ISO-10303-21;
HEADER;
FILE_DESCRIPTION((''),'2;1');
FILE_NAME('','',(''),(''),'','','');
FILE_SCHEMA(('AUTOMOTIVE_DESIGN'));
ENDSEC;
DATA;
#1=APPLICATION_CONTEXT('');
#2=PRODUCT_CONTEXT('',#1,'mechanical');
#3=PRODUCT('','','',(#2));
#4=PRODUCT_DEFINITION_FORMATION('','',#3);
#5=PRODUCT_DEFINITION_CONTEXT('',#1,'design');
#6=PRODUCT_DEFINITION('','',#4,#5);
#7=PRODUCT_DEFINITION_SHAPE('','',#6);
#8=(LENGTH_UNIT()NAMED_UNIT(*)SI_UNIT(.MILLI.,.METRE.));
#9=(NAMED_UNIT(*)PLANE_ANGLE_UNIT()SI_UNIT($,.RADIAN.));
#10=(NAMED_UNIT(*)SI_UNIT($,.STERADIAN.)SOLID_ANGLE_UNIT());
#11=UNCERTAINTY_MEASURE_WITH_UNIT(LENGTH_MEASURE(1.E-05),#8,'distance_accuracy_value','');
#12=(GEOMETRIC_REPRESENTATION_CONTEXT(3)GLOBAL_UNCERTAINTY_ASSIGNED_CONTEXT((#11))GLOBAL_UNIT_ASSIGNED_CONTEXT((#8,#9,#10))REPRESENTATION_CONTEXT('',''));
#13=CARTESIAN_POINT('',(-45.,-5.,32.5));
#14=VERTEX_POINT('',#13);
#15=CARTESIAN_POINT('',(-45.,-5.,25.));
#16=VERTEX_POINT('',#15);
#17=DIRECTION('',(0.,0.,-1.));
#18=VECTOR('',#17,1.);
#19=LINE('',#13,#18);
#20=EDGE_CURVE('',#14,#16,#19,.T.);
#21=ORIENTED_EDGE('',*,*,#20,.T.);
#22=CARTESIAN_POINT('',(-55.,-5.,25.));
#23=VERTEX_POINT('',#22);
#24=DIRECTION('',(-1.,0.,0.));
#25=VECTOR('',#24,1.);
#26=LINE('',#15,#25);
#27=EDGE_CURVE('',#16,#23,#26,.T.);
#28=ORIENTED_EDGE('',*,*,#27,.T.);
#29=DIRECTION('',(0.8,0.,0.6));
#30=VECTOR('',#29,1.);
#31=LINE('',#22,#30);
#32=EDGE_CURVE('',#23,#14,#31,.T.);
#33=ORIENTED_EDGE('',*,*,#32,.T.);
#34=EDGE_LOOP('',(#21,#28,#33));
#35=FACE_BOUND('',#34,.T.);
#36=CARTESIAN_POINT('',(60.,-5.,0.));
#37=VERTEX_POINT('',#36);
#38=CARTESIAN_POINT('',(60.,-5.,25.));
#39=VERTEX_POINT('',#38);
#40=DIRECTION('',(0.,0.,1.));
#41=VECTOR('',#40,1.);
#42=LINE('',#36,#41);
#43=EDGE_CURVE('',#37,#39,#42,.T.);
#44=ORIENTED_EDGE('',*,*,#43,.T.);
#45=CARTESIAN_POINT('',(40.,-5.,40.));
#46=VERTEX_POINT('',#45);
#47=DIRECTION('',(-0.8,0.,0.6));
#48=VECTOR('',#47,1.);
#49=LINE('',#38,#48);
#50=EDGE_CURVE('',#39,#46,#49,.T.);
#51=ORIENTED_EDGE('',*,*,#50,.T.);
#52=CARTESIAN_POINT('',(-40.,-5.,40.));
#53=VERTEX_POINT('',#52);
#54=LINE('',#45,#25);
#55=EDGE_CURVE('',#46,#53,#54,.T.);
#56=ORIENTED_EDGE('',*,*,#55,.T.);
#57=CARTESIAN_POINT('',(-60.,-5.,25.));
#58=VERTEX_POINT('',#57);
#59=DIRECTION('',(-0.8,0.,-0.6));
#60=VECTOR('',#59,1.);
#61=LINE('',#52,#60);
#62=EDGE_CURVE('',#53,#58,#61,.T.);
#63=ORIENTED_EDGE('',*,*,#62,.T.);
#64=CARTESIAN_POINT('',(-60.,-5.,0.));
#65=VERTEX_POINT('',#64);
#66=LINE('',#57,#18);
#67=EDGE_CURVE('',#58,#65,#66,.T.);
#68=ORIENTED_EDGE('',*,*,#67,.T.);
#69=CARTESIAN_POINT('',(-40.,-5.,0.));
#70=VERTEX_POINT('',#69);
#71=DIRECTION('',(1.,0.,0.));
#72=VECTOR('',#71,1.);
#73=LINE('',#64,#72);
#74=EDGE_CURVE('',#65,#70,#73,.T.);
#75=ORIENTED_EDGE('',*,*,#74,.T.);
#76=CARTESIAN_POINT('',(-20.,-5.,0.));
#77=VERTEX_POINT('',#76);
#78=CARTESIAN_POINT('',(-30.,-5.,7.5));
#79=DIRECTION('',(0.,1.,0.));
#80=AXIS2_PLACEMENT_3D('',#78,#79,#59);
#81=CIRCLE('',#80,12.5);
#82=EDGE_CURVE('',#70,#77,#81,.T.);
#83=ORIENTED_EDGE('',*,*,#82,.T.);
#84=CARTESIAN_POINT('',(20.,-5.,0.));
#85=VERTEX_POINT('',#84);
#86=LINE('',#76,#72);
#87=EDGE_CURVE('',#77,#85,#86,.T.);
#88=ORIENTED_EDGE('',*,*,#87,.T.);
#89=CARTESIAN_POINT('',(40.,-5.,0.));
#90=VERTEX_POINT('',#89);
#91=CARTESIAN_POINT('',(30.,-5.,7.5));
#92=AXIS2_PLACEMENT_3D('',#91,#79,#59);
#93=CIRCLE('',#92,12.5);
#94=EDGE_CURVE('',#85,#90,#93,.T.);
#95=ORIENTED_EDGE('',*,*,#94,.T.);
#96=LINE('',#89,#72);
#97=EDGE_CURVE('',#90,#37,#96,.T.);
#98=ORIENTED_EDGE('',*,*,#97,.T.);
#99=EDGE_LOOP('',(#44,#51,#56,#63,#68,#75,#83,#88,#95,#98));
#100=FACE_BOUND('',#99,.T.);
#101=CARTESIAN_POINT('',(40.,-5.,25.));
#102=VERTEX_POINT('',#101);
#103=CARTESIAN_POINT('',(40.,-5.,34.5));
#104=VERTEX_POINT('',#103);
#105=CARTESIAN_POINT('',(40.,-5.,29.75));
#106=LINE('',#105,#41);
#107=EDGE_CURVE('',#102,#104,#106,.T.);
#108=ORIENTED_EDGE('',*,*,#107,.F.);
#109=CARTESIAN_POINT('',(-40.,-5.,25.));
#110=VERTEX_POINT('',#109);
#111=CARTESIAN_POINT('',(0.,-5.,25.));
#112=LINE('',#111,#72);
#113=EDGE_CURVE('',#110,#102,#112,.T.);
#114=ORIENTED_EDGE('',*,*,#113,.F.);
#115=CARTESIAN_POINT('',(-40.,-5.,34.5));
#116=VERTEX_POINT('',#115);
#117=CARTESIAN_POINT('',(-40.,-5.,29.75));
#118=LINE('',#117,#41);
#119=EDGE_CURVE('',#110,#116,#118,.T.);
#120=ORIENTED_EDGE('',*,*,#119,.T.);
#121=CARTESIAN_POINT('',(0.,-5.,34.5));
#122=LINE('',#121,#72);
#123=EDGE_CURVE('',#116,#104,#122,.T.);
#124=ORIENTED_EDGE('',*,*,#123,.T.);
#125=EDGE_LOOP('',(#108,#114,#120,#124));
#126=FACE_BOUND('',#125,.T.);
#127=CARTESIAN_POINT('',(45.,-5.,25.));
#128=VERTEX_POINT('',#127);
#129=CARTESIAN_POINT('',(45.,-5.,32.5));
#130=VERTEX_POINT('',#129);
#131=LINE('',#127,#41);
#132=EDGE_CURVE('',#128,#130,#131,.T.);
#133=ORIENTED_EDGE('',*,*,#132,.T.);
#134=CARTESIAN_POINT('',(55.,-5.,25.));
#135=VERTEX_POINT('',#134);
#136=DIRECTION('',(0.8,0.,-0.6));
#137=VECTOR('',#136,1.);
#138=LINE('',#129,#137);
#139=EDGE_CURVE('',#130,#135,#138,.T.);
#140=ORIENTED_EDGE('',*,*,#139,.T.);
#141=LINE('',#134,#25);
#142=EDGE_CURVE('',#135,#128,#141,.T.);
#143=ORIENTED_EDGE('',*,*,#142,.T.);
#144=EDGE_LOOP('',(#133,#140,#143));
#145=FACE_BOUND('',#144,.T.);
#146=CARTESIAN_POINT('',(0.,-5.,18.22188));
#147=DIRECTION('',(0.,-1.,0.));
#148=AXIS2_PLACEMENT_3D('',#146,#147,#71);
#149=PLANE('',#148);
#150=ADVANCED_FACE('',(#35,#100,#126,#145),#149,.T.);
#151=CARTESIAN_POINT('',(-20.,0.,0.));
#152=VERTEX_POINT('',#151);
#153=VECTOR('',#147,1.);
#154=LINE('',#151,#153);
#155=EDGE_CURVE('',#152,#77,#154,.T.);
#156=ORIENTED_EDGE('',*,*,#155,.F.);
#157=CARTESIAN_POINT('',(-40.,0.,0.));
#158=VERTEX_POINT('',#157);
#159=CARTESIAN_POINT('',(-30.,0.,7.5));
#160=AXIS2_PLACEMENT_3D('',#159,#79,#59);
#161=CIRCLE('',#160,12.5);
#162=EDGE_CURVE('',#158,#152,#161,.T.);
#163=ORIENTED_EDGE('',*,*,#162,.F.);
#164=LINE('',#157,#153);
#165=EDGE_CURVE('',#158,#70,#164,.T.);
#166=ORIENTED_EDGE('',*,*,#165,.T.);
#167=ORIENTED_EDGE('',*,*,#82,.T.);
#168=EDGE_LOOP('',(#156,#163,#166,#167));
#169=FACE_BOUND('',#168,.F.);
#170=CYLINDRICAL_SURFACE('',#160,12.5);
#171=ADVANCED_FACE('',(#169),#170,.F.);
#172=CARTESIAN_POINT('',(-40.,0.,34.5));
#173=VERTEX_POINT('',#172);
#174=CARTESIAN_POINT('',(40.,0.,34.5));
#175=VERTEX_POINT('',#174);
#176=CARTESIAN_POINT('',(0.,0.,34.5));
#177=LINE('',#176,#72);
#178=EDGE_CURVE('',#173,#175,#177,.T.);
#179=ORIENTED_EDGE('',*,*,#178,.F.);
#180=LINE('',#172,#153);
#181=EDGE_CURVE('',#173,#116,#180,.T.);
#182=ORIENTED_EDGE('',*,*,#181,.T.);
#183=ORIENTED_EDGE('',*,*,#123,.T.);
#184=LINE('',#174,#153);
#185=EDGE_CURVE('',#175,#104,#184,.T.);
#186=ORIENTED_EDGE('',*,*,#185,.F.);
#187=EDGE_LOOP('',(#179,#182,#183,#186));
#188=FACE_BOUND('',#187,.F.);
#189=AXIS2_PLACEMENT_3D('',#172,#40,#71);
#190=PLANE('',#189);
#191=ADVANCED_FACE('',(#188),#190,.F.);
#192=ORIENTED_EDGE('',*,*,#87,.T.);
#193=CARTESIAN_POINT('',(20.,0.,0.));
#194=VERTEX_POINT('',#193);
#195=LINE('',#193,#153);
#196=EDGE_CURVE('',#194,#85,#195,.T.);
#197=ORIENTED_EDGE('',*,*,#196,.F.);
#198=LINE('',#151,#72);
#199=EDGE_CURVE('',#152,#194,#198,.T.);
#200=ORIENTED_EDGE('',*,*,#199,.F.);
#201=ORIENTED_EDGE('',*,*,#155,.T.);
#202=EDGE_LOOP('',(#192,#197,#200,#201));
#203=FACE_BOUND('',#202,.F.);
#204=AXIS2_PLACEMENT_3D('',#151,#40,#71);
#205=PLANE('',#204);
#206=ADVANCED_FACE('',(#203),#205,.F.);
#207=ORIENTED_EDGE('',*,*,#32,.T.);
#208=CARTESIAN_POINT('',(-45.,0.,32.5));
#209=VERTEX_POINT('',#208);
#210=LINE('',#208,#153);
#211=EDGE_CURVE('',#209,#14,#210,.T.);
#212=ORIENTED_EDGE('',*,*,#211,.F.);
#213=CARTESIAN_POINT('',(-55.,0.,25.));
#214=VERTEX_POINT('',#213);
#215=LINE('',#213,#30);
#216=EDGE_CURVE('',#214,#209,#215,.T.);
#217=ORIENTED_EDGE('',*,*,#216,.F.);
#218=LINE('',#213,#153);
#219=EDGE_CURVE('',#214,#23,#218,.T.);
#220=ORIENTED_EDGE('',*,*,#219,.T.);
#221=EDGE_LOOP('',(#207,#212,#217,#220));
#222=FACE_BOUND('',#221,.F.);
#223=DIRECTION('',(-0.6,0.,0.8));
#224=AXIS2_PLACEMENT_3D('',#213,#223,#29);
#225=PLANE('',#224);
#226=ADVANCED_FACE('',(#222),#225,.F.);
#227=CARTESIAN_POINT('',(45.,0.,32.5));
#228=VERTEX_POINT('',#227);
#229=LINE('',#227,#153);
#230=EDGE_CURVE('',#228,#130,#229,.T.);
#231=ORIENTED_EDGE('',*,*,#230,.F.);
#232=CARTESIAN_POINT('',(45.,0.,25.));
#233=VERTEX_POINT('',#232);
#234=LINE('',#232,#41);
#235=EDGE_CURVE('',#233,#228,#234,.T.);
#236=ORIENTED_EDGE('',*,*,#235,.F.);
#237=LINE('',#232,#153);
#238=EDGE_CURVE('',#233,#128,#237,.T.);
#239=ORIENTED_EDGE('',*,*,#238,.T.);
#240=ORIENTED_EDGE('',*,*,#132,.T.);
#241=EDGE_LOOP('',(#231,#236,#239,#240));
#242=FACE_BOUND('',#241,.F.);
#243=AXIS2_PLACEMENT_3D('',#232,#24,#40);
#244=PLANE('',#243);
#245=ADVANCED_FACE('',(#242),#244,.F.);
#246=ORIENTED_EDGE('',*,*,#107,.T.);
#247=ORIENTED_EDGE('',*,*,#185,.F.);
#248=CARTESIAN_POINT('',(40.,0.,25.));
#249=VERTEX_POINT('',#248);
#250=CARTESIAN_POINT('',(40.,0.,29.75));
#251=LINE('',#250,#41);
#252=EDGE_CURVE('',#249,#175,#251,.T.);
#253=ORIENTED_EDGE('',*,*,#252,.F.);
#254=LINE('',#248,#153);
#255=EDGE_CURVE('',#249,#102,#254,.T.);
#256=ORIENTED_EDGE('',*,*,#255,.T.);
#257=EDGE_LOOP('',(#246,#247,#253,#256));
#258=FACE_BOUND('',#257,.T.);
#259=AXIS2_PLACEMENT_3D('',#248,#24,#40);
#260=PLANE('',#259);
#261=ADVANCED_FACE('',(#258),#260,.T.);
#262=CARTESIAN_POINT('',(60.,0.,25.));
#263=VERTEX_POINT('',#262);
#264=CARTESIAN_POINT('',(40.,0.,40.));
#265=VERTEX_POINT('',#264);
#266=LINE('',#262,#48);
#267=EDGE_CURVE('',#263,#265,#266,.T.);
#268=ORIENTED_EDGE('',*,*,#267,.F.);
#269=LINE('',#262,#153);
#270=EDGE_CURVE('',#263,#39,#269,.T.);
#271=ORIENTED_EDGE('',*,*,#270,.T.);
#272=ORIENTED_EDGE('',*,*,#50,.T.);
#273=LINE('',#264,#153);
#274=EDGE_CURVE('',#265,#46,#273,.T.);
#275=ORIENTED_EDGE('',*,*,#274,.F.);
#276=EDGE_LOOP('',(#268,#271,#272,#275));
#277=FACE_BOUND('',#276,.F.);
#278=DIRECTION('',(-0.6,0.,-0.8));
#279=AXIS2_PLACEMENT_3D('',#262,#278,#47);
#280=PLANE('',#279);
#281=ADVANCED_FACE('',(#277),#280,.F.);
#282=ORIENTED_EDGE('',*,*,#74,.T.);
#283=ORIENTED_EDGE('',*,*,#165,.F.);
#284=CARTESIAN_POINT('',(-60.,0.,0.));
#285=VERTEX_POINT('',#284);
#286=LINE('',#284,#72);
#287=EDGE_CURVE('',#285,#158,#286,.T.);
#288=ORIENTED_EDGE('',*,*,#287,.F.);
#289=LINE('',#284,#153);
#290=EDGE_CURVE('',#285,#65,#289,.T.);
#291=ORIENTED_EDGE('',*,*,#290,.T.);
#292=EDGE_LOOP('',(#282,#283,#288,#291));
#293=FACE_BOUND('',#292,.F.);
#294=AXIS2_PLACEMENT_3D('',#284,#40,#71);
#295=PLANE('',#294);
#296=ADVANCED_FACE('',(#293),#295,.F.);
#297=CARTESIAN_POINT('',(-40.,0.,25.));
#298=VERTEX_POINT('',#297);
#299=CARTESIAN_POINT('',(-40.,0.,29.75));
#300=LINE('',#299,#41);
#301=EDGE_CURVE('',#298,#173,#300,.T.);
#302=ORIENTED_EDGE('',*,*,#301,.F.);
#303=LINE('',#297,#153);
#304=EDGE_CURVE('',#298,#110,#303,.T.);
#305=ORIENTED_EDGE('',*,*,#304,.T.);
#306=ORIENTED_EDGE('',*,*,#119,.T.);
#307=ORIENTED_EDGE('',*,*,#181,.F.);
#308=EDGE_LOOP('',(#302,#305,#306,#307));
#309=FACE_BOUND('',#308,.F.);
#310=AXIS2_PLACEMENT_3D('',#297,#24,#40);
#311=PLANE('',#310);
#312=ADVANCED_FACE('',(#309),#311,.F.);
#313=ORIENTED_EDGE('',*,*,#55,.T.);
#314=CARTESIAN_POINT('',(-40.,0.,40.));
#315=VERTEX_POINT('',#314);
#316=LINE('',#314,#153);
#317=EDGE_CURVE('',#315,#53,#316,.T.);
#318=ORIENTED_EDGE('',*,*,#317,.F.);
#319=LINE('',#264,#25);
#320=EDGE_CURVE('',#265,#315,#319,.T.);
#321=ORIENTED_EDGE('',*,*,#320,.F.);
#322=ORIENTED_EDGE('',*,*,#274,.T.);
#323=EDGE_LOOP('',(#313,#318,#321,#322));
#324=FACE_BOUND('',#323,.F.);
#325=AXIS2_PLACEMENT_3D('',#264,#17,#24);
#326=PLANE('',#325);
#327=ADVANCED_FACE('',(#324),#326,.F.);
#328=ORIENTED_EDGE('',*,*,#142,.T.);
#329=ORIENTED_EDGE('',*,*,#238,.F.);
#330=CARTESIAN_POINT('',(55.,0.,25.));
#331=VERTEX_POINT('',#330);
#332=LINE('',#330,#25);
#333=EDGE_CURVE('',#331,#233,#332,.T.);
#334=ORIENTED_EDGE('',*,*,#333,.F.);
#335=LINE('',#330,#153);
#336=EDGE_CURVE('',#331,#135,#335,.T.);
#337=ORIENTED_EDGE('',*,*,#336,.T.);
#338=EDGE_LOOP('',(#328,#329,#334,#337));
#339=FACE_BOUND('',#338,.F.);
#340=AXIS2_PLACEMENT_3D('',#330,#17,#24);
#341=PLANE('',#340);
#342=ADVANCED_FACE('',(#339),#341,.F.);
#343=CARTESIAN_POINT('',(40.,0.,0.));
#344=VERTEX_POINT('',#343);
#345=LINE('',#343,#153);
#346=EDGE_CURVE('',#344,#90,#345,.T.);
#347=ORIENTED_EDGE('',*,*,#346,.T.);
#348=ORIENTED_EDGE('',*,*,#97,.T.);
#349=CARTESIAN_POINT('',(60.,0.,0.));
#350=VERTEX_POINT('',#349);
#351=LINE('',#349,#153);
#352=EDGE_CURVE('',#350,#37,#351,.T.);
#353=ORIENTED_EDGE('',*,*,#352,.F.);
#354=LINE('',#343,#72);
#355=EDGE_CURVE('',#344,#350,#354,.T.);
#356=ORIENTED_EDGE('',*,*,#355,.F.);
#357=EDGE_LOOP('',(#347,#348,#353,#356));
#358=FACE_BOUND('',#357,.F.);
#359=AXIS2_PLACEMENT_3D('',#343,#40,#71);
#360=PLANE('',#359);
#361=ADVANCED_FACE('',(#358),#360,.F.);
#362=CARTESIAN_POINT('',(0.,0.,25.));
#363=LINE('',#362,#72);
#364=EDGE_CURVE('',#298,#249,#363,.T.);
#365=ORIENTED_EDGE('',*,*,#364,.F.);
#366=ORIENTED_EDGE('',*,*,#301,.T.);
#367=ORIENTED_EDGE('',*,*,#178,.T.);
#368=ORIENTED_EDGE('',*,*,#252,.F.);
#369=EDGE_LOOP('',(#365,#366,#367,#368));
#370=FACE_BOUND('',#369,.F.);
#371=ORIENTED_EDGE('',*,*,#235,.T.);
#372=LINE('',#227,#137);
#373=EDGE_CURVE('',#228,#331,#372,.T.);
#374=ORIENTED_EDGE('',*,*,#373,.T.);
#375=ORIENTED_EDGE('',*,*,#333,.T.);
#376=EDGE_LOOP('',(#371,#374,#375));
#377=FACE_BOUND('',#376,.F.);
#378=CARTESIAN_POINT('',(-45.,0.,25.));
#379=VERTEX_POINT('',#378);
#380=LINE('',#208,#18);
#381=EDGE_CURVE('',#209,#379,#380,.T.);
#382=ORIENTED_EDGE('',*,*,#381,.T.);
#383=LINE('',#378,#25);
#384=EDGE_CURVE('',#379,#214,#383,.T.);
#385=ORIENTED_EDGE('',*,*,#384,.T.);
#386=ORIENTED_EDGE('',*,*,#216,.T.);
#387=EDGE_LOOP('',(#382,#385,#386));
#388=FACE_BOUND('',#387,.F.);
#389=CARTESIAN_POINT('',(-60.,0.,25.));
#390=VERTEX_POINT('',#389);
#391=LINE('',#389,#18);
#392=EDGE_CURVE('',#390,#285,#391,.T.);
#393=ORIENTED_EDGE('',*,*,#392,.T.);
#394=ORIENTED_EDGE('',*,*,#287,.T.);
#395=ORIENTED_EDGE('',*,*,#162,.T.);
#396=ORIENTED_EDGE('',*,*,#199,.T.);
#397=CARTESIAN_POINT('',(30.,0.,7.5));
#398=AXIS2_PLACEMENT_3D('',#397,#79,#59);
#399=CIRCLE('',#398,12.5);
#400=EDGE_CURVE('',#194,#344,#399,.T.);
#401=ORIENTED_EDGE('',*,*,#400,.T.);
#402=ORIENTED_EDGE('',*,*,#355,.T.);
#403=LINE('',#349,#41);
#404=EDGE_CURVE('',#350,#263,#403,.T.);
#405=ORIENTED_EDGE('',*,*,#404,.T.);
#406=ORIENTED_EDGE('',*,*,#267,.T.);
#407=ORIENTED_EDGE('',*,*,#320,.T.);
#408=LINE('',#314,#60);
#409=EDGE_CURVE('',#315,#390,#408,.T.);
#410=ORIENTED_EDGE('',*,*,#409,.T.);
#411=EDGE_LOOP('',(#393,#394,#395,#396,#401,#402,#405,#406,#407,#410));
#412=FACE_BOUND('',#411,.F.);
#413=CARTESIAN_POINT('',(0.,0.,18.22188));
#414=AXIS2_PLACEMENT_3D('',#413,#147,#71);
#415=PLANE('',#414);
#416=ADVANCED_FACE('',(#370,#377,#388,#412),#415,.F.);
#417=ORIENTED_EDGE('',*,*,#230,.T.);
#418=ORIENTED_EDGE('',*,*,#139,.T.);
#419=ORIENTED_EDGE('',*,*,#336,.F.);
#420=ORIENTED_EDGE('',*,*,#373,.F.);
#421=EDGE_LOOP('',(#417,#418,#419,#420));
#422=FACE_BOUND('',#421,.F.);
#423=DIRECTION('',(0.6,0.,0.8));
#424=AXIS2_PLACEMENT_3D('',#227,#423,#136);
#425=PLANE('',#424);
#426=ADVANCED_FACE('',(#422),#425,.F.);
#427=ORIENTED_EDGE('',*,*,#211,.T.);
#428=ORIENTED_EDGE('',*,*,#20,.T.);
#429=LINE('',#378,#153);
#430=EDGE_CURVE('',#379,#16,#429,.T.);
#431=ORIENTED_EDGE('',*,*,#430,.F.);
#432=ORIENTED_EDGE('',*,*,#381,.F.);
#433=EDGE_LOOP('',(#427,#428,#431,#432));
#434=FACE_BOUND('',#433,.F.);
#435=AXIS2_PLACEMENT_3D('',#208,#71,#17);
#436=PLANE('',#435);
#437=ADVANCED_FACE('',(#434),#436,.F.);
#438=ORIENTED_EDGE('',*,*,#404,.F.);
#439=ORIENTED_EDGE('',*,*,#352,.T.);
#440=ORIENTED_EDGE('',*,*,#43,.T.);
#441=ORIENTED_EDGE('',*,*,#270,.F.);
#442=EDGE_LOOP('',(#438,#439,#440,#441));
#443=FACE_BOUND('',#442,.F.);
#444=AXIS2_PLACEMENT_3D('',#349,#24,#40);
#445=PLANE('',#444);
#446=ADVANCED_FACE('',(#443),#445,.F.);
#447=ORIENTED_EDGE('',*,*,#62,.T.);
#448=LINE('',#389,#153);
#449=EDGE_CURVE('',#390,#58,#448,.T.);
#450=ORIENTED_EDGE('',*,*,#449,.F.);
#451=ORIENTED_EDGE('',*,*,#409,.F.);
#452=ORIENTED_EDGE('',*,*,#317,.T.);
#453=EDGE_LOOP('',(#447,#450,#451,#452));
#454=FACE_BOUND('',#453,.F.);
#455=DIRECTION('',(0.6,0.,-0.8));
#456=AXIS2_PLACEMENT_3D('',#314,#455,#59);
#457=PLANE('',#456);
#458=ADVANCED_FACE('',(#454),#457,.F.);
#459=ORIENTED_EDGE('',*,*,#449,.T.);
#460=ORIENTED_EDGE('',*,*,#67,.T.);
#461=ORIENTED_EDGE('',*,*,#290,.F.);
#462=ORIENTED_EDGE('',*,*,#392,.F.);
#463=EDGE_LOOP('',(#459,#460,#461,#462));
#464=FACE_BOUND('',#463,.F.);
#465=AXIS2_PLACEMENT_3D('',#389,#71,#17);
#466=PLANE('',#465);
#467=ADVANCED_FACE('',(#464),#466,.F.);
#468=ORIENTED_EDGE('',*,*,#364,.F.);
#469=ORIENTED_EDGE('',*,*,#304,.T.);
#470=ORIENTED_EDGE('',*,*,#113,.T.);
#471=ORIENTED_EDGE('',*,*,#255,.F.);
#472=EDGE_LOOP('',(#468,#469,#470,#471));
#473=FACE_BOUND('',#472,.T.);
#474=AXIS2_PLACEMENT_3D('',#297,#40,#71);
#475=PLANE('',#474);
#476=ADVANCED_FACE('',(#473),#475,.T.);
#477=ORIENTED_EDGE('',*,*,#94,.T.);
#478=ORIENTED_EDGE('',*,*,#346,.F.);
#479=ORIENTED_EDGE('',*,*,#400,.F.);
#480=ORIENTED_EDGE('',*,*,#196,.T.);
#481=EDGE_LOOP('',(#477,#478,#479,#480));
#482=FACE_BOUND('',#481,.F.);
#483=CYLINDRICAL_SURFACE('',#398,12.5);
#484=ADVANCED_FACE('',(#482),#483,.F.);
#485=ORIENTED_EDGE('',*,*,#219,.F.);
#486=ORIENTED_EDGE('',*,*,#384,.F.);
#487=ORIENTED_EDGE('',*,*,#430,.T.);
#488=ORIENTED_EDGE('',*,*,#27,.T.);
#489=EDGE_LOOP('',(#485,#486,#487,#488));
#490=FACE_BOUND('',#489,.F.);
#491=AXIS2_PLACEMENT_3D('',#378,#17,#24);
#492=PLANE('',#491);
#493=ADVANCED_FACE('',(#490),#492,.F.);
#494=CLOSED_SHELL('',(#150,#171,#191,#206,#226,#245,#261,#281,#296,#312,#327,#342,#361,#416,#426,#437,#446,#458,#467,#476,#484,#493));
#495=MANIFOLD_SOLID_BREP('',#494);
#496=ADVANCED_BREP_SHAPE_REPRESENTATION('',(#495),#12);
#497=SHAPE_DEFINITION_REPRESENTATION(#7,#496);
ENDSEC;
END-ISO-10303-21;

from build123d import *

# Parameters (mm, degrees)
F0_W     = 80
F0_H     = 9.5
F1_DEPTH = 5


with BuildPart() as f1:
    # F0 (on Front) → F1 (new body)
    with BuildSketch(Plane.XZ):
        with BuildLine():
            Line((-60, 25), (-60, 0))
            Line((-60, 0), (-42.5, 0))
            Line((-42.5, 0), (-40, 0))
            ThreePointArc((-40, 0), (-30, 20), (-20, 0))
            Line((-20, 0), (-17.5, 0))
            Line((-17.5, 0), (0, 0))
            Line((0, 0), (17.5, 0))
            Line((17.5, 0), (20, 0))
            ThreePointArc((20, 0), (30, 20), (40, 0))
            Line((40, 0), (42.5, 0))
            Line((42.5, 0), (60, 0))
            Line((60, 0), (60, 25))
            Line((60, 25), (40, 40))
            Line((40, 40), (-40, 40))
            Line((-40, 40), (-60, 25))
        make_face()
        Polygon((-45, 32.5), (-45, 25), (-55, 25), align=None, mode=Mode.SUBTRACT)
        with Locations((0, 29.75)):
            Rectangle(F0_W, F0_H, mode=Mode.SUBTRACT)
        Polygon((45, 32.5), (55, 25), (45, 25), align=None, mode=Mode.SUBTRACT)
    extrude(amount=F1_DEPTH)


solid = f1.part
